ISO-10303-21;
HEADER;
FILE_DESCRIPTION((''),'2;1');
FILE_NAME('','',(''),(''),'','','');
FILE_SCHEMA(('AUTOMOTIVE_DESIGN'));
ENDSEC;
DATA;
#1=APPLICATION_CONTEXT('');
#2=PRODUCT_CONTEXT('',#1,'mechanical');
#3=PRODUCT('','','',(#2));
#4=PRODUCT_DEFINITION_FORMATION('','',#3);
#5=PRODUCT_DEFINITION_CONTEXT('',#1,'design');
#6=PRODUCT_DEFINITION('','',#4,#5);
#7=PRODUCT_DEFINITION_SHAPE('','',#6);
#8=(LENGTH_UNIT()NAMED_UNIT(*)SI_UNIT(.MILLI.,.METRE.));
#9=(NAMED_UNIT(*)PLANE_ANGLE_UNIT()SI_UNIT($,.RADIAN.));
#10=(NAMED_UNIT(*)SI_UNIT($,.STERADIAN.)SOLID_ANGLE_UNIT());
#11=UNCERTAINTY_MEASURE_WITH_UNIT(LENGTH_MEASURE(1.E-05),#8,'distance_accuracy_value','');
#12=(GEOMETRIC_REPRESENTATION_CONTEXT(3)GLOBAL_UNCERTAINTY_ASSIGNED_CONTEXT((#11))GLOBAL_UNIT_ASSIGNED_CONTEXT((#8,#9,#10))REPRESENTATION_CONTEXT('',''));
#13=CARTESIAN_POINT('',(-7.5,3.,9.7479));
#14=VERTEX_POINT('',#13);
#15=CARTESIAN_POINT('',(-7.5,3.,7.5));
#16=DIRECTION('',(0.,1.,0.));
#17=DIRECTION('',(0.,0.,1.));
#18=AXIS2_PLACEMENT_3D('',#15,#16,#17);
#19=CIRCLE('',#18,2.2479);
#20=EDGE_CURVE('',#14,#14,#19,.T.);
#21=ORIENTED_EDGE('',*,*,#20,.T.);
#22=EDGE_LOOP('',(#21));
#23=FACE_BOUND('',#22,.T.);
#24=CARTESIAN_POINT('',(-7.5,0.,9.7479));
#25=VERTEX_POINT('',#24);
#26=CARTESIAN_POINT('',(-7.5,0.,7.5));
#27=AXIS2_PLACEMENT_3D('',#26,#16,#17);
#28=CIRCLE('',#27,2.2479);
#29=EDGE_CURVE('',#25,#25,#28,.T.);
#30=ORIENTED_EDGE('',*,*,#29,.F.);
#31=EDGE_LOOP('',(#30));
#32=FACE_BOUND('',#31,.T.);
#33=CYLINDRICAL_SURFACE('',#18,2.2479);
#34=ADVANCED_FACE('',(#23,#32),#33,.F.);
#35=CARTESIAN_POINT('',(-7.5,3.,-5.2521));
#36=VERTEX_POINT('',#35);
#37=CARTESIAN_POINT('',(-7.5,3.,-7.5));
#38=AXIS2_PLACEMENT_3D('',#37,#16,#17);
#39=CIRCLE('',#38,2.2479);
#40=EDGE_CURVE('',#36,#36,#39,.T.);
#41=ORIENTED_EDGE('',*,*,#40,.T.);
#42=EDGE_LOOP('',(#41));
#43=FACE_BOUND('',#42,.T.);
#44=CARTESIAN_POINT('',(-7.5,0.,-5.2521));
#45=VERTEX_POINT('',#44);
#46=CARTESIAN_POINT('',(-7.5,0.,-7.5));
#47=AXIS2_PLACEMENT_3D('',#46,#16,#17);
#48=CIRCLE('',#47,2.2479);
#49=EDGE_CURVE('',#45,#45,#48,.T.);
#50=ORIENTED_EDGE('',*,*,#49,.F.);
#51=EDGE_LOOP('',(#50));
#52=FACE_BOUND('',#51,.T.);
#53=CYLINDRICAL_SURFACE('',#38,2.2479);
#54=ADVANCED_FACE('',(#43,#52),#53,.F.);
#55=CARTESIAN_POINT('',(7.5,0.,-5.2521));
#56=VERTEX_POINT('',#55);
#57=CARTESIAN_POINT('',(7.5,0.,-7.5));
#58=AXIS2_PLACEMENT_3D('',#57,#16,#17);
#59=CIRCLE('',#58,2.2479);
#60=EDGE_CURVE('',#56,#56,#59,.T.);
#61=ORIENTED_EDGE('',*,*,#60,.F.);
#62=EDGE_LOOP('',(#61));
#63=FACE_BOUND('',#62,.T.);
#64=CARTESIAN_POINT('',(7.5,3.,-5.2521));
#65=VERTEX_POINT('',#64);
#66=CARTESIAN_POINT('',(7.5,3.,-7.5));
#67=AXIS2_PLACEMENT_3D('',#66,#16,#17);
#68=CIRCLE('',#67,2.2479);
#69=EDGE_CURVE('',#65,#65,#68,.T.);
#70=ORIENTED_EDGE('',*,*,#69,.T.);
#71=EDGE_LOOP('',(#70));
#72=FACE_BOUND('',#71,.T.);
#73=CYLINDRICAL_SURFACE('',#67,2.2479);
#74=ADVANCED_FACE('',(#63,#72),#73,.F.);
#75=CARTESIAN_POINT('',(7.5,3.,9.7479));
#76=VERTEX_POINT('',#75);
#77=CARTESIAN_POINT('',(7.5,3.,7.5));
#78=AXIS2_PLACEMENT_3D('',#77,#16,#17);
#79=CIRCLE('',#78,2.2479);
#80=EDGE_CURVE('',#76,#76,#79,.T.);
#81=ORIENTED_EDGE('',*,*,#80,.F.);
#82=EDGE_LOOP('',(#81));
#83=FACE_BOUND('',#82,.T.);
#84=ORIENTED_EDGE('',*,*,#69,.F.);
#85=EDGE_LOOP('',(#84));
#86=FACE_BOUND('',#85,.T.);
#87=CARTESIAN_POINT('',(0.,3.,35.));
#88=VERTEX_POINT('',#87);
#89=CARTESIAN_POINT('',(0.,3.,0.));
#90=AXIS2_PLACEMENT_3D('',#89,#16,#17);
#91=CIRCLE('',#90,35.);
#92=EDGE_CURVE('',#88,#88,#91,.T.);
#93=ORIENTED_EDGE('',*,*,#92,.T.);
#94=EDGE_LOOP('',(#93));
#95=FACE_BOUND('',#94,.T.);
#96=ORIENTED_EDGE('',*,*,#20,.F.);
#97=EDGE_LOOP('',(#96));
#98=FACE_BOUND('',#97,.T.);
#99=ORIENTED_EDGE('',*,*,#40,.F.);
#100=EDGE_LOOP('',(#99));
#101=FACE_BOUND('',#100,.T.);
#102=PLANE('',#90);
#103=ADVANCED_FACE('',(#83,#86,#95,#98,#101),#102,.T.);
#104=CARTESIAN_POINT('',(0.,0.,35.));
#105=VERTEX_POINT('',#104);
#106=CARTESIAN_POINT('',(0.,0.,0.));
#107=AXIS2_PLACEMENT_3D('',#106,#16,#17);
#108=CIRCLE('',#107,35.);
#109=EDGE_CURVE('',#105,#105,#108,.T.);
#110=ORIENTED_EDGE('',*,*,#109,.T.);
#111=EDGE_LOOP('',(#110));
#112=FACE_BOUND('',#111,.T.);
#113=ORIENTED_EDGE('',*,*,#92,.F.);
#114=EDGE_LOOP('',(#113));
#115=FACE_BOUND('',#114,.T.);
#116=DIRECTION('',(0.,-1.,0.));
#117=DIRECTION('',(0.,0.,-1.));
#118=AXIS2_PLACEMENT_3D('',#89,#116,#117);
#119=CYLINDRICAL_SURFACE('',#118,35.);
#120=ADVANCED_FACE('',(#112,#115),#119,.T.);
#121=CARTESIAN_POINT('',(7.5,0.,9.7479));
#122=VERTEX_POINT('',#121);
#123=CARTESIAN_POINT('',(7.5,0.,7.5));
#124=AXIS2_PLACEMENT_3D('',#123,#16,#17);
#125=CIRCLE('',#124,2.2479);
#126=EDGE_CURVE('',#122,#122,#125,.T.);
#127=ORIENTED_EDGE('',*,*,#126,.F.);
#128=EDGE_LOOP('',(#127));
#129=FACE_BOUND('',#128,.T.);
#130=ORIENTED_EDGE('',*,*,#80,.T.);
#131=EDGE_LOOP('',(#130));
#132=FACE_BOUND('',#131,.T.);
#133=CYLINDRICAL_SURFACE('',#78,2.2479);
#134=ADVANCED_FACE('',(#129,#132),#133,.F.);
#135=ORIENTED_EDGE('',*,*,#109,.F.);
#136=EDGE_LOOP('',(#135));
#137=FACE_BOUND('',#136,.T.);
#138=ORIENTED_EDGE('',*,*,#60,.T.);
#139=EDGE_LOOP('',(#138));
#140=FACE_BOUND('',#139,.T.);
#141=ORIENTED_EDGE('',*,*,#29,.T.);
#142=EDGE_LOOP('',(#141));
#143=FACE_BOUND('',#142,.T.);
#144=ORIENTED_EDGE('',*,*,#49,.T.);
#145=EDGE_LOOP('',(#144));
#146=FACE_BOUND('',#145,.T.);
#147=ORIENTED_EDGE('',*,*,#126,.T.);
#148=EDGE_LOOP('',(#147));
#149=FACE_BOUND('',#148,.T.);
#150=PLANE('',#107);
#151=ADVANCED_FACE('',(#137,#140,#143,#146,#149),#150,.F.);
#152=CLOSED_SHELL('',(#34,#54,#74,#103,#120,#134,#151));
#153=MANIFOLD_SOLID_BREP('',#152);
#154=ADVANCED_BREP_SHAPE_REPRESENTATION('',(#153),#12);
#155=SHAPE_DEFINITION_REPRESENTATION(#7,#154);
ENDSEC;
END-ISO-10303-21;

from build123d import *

# Parameters (mm, degrees)
SKETCH1_R             = 35
BOSS_EXTRUDE1_DEPTH   = 3
F_8_CLEARANCE_HOLE1_D = 4.4958


with BuildPart() as part:
    # Sketch1 → Boss-Extrude1 (new body)
    with BuildSketch(Plane(origin=(0, 0, 0), x_dir=(1, 0, 0), z_dir=(0, 1, 0))):
        with Locations(Location((0, 0, 0), (0, 0, 270))):
            Circle(SKETCH1_R)
    extrude(amount=BOSS_EXTRUDE1_DEPTH)

    # #8 Clearance Hole1 (through all)
    with Locations(Plane(origin=(0, 3, 0), x_dir=(1, 0, 0), z_dir=(0, 1, 0))):
        with Locations((-7.5, 7.5), (7.5, 7.5), (-7.5, -7.5), (7.5, -7.5)):
            Hole(F_8_CLEARANCE_HOLE1_D / 2)


solid = part.part
